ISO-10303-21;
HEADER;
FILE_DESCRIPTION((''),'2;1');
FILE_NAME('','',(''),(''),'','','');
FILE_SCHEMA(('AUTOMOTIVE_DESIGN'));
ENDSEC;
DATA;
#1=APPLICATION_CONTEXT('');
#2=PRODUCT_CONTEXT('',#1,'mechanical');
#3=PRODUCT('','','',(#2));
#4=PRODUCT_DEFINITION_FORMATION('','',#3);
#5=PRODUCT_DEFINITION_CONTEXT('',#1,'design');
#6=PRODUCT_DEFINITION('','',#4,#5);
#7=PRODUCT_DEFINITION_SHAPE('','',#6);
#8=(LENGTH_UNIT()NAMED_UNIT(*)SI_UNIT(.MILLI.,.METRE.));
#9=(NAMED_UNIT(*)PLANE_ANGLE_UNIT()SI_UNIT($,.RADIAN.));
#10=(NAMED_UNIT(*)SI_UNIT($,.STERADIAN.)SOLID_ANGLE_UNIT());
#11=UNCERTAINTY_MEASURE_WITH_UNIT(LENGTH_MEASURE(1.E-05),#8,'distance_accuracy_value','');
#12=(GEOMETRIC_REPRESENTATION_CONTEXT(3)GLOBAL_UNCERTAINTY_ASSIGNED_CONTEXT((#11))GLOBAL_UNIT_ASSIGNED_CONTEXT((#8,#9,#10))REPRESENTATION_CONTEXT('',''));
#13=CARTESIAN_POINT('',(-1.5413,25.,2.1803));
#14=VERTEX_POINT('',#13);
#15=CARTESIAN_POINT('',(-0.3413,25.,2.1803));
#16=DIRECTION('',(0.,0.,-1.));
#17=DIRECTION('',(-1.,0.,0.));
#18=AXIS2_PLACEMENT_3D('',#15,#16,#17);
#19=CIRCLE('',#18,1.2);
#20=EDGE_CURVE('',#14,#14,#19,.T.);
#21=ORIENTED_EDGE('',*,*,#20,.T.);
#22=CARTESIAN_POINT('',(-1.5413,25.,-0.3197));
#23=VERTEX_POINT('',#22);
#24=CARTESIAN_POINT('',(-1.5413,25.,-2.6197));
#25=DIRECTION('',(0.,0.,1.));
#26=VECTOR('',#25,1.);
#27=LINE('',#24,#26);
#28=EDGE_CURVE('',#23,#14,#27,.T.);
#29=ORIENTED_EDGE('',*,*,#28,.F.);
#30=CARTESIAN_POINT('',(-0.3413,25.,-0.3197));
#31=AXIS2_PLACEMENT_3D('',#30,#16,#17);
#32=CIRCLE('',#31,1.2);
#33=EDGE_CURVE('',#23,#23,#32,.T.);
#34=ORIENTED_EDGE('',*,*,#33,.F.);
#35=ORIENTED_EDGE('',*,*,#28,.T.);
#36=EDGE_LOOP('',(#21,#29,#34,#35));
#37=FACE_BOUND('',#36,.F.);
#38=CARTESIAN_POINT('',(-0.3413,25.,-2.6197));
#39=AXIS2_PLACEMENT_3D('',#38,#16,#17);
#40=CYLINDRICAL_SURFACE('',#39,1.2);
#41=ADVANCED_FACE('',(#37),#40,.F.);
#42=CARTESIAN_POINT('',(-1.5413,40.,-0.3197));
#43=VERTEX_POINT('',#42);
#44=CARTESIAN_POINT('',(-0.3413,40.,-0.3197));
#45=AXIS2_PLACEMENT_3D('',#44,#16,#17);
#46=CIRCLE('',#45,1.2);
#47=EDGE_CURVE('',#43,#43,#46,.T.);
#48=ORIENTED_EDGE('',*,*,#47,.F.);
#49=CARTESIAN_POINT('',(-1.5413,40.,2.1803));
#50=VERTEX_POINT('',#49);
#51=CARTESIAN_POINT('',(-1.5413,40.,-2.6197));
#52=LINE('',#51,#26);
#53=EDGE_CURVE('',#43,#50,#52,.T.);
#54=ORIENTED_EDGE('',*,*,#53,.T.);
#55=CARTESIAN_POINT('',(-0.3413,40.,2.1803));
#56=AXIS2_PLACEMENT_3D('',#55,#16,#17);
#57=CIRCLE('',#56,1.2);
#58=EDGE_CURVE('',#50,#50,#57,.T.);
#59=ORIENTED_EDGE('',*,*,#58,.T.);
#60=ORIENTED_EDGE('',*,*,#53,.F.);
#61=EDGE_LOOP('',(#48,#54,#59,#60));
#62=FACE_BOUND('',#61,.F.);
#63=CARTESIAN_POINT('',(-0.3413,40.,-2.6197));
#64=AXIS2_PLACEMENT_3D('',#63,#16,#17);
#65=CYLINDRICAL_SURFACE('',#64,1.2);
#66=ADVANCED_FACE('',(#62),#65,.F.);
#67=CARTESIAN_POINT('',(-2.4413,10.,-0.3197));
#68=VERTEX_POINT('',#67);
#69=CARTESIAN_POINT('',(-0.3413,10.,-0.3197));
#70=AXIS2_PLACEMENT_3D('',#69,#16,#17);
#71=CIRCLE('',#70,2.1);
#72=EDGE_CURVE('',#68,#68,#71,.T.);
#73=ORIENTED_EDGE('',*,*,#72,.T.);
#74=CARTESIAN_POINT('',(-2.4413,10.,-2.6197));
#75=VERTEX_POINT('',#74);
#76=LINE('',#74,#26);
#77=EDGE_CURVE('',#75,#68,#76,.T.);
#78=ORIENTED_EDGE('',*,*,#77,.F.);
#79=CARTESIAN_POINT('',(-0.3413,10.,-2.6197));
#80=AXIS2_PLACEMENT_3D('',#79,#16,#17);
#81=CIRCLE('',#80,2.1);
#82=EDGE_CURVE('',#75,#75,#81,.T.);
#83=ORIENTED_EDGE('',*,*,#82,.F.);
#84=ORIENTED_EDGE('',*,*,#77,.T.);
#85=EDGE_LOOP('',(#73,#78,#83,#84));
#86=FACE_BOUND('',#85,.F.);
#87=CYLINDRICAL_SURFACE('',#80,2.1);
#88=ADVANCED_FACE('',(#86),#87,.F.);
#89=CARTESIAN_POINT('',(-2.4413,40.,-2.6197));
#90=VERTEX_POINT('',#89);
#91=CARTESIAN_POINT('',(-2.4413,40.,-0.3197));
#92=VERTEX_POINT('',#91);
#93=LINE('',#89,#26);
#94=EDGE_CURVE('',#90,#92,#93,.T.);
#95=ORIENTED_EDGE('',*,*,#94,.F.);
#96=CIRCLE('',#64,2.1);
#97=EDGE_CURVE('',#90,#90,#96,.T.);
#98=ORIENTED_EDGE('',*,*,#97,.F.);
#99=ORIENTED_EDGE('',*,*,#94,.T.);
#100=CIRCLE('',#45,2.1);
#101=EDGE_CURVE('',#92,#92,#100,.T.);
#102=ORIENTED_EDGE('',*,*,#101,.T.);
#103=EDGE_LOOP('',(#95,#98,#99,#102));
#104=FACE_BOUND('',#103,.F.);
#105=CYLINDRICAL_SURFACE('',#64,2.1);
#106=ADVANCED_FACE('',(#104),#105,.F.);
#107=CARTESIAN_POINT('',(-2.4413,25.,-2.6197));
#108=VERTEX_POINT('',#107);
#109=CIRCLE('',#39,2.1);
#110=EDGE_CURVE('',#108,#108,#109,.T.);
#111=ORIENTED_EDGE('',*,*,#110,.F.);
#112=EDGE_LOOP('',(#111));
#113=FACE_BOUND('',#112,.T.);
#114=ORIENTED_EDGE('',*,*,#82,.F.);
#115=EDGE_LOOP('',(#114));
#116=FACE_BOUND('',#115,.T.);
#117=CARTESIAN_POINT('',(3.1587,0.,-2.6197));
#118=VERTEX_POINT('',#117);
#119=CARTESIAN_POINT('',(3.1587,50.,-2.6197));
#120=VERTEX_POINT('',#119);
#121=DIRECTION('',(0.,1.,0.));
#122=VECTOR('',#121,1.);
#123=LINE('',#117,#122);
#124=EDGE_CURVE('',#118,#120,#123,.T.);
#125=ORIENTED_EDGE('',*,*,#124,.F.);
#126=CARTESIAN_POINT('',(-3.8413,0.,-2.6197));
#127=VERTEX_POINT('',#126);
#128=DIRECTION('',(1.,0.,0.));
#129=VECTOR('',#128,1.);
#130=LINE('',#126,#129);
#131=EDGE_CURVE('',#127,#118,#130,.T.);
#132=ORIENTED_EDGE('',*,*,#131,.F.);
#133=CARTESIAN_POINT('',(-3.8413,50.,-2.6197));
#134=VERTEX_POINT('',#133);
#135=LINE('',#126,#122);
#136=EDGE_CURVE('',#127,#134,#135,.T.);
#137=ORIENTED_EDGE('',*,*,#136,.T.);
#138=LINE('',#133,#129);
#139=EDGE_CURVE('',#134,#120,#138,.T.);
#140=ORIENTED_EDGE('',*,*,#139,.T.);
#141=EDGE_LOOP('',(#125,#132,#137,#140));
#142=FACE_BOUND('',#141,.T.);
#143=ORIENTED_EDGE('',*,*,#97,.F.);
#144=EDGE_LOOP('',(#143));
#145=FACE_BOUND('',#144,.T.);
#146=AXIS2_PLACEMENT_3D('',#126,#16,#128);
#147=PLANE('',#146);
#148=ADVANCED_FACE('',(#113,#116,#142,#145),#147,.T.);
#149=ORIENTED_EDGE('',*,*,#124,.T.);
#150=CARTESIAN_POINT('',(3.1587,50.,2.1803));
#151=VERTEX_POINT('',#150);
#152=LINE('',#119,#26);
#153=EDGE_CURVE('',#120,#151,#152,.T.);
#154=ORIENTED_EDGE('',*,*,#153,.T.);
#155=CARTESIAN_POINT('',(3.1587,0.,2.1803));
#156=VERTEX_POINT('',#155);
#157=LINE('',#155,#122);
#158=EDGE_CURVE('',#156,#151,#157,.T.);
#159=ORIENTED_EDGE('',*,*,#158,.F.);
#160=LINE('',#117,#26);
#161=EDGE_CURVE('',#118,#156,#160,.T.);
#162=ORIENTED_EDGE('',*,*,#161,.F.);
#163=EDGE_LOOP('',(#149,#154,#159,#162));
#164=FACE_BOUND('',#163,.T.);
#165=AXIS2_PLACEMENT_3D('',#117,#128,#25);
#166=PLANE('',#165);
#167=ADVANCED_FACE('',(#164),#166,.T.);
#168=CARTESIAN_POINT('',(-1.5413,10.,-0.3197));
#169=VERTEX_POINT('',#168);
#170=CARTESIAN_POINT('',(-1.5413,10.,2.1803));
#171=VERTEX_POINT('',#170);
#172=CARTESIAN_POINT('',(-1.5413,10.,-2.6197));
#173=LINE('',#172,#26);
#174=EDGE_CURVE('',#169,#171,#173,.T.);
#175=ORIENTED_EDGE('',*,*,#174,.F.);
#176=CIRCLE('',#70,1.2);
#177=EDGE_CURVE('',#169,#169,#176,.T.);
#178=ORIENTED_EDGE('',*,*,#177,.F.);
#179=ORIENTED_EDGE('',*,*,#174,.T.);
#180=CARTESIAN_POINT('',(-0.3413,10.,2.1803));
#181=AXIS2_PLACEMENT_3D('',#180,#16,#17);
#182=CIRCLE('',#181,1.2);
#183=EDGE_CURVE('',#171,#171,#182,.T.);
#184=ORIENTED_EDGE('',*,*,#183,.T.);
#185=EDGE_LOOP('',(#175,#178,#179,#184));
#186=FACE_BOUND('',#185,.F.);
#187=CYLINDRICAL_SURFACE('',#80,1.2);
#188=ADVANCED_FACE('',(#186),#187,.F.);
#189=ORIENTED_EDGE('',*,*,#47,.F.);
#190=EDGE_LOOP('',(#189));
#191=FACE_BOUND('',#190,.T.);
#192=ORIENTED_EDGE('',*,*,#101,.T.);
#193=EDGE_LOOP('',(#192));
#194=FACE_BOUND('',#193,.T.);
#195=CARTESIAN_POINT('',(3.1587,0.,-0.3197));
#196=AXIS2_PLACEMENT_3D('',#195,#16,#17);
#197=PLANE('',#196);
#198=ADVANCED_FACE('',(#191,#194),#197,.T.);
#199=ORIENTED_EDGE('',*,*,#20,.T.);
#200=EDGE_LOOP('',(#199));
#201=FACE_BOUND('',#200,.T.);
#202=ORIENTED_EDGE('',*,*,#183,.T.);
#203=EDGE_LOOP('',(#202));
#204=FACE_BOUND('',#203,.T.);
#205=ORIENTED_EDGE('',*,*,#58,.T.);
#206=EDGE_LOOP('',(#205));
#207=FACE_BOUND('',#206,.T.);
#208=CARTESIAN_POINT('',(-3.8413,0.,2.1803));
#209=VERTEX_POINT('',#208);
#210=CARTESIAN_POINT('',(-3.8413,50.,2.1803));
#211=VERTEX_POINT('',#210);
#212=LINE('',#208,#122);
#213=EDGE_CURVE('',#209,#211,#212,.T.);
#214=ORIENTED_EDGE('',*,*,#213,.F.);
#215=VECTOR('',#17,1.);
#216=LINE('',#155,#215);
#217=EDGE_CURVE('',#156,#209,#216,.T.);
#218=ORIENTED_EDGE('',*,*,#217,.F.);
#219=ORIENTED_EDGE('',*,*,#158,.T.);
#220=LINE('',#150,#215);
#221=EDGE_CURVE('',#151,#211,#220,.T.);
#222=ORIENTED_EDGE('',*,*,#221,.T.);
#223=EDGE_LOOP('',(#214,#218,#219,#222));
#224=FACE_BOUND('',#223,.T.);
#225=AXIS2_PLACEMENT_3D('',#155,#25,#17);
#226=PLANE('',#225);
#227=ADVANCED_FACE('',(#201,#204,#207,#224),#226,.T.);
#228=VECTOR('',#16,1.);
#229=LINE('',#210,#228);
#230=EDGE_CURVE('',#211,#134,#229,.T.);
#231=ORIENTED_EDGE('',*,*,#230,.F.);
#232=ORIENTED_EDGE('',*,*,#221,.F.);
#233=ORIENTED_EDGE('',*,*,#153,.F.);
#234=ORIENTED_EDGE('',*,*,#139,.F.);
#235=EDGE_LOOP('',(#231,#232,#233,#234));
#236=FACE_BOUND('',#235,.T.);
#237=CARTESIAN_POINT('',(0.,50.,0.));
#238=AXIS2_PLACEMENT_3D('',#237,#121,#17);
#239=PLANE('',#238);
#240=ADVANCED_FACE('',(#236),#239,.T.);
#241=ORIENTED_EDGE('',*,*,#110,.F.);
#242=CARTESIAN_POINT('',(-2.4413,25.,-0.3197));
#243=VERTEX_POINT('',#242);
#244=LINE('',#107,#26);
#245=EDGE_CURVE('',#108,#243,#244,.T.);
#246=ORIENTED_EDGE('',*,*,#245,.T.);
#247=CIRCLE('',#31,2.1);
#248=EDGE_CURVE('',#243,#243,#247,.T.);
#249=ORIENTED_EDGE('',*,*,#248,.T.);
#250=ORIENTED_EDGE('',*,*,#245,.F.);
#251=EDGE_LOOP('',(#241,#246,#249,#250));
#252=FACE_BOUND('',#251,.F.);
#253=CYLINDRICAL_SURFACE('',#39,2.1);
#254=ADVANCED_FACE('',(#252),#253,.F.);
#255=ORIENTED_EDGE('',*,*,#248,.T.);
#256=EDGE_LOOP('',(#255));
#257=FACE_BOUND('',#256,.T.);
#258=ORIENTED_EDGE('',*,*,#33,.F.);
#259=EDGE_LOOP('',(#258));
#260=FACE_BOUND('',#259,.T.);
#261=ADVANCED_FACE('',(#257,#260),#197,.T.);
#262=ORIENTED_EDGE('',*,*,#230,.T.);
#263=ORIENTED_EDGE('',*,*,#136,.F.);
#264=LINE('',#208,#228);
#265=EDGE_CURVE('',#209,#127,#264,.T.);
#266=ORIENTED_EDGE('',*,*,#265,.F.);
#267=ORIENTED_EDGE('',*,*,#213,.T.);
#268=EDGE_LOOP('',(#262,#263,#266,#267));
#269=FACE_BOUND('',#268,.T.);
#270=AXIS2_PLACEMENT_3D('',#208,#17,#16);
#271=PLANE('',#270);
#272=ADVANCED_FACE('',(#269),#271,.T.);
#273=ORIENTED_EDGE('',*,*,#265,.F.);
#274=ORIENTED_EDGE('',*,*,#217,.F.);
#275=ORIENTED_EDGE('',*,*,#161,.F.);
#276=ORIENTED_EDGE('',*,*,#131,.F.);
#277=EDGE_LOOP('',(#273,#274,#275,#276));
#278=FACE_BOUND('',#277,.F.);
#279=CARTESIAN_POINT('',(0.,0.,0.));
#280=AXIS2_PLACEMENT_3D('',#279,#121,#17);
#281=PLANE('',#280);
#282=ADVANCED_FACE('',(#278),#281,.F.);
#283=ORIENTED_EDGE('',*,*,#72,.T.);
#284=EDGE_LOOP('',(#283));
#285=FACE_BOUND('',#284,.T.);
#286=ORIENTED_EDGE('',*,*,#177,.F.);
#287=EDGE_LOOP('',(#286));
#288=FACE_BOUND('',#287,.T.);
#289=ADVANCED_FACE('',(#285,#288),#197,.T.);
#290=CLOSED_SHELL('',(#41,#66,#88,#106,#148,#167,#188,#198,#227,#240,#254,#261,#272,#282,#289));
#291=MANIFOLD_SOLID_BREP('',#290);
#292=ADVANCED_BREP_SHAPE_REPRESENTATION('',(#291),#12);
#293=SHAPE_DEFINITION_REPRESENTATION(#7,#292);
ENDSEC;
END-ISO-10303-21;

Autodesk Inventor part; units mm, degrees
ref_plane "YZ Plane" through (0, 0, 0) normal (1, 0, 0) x (0, 1, 0)
ref_plane "XZ Plane" through (0, 0, 0) normal (0, 1, 0) x (-1, 0, 0)
ref_plane "XY Plane" through (0, 0, 0) normal (0, 0, 1) x (1, 0, 0)
sketch "Sketch1" plane through (0, 0, 0) normal (0, 1, 0) x (-1, 0, 0)
  line L0 (3.8413, -2.6197) -> (-3.1587, -2.6197)
  line L1 (-3.1587, -2.6197) -> (-3.1587, 2.1803)
  line L2 (-3.1587, 2.1803) -> (3.8413, 2.1803)
  line L3 (3.8413, 2.1803) -> (3.8413, -2.6197)
  point P0 (0, 0)
  dimension "d0" = 4.8
  dimension "d1" = 7
extrude "Extrusion1" add sketch "Sketch1" along normal blind 50
sketch "Sketch2" plane through (3.1587, 0, -2.6197) normal (0, 0, -1) x (-1, 0, 0)
  circle A0 centre (3.5, 10) radius 1.2
  line L0 (0, 0) -> (7, 0) projected
  line L1 (7, 0) -> (7, 50) projected
  circle A1 centre (3.5, 25) radius 1.2
  circle A2 centre (3.5, 40) radius 1.2
  point P0 (3.1587, 0)
  dimension "d4" = 2.4
  dimension "d5" = 10
  dimension "d6" = 3.5
  dimension "d9" = 15
extrude "Extrusion2" cut sketch "Sketch2" against normal through all
sketch "Sketch3" plane through (3.1587, 0, -2.6197) normal (0, 0, -1) x (-1, 0, 0)
  circle A0 centre (3.5, 40) radius 1.2 projected
  circle A1 centre (3.5, 40) radius 2.1
  circle A2 centre (3.5, 25) radius 1.2 projected
  circle A3 centre (3.5, 25) radius 2.1
  circle A4 centre (3.5, 10) radius 1.2 projected
  circle A5 centre (3.5, 10) radius 2.1
  point P0 (3.1587, 0)
  dimension "d16" = 4.2
  dimension "d17" = 4.2
  dimension "d18" = 4.2
extrude "Extrusion3" cut sketch "Sketch3" against normal blind 2.3 contours A0 | A1 | A2 | A3 | A4 | A5
properties part number "MGN7c_50mm_rail"
